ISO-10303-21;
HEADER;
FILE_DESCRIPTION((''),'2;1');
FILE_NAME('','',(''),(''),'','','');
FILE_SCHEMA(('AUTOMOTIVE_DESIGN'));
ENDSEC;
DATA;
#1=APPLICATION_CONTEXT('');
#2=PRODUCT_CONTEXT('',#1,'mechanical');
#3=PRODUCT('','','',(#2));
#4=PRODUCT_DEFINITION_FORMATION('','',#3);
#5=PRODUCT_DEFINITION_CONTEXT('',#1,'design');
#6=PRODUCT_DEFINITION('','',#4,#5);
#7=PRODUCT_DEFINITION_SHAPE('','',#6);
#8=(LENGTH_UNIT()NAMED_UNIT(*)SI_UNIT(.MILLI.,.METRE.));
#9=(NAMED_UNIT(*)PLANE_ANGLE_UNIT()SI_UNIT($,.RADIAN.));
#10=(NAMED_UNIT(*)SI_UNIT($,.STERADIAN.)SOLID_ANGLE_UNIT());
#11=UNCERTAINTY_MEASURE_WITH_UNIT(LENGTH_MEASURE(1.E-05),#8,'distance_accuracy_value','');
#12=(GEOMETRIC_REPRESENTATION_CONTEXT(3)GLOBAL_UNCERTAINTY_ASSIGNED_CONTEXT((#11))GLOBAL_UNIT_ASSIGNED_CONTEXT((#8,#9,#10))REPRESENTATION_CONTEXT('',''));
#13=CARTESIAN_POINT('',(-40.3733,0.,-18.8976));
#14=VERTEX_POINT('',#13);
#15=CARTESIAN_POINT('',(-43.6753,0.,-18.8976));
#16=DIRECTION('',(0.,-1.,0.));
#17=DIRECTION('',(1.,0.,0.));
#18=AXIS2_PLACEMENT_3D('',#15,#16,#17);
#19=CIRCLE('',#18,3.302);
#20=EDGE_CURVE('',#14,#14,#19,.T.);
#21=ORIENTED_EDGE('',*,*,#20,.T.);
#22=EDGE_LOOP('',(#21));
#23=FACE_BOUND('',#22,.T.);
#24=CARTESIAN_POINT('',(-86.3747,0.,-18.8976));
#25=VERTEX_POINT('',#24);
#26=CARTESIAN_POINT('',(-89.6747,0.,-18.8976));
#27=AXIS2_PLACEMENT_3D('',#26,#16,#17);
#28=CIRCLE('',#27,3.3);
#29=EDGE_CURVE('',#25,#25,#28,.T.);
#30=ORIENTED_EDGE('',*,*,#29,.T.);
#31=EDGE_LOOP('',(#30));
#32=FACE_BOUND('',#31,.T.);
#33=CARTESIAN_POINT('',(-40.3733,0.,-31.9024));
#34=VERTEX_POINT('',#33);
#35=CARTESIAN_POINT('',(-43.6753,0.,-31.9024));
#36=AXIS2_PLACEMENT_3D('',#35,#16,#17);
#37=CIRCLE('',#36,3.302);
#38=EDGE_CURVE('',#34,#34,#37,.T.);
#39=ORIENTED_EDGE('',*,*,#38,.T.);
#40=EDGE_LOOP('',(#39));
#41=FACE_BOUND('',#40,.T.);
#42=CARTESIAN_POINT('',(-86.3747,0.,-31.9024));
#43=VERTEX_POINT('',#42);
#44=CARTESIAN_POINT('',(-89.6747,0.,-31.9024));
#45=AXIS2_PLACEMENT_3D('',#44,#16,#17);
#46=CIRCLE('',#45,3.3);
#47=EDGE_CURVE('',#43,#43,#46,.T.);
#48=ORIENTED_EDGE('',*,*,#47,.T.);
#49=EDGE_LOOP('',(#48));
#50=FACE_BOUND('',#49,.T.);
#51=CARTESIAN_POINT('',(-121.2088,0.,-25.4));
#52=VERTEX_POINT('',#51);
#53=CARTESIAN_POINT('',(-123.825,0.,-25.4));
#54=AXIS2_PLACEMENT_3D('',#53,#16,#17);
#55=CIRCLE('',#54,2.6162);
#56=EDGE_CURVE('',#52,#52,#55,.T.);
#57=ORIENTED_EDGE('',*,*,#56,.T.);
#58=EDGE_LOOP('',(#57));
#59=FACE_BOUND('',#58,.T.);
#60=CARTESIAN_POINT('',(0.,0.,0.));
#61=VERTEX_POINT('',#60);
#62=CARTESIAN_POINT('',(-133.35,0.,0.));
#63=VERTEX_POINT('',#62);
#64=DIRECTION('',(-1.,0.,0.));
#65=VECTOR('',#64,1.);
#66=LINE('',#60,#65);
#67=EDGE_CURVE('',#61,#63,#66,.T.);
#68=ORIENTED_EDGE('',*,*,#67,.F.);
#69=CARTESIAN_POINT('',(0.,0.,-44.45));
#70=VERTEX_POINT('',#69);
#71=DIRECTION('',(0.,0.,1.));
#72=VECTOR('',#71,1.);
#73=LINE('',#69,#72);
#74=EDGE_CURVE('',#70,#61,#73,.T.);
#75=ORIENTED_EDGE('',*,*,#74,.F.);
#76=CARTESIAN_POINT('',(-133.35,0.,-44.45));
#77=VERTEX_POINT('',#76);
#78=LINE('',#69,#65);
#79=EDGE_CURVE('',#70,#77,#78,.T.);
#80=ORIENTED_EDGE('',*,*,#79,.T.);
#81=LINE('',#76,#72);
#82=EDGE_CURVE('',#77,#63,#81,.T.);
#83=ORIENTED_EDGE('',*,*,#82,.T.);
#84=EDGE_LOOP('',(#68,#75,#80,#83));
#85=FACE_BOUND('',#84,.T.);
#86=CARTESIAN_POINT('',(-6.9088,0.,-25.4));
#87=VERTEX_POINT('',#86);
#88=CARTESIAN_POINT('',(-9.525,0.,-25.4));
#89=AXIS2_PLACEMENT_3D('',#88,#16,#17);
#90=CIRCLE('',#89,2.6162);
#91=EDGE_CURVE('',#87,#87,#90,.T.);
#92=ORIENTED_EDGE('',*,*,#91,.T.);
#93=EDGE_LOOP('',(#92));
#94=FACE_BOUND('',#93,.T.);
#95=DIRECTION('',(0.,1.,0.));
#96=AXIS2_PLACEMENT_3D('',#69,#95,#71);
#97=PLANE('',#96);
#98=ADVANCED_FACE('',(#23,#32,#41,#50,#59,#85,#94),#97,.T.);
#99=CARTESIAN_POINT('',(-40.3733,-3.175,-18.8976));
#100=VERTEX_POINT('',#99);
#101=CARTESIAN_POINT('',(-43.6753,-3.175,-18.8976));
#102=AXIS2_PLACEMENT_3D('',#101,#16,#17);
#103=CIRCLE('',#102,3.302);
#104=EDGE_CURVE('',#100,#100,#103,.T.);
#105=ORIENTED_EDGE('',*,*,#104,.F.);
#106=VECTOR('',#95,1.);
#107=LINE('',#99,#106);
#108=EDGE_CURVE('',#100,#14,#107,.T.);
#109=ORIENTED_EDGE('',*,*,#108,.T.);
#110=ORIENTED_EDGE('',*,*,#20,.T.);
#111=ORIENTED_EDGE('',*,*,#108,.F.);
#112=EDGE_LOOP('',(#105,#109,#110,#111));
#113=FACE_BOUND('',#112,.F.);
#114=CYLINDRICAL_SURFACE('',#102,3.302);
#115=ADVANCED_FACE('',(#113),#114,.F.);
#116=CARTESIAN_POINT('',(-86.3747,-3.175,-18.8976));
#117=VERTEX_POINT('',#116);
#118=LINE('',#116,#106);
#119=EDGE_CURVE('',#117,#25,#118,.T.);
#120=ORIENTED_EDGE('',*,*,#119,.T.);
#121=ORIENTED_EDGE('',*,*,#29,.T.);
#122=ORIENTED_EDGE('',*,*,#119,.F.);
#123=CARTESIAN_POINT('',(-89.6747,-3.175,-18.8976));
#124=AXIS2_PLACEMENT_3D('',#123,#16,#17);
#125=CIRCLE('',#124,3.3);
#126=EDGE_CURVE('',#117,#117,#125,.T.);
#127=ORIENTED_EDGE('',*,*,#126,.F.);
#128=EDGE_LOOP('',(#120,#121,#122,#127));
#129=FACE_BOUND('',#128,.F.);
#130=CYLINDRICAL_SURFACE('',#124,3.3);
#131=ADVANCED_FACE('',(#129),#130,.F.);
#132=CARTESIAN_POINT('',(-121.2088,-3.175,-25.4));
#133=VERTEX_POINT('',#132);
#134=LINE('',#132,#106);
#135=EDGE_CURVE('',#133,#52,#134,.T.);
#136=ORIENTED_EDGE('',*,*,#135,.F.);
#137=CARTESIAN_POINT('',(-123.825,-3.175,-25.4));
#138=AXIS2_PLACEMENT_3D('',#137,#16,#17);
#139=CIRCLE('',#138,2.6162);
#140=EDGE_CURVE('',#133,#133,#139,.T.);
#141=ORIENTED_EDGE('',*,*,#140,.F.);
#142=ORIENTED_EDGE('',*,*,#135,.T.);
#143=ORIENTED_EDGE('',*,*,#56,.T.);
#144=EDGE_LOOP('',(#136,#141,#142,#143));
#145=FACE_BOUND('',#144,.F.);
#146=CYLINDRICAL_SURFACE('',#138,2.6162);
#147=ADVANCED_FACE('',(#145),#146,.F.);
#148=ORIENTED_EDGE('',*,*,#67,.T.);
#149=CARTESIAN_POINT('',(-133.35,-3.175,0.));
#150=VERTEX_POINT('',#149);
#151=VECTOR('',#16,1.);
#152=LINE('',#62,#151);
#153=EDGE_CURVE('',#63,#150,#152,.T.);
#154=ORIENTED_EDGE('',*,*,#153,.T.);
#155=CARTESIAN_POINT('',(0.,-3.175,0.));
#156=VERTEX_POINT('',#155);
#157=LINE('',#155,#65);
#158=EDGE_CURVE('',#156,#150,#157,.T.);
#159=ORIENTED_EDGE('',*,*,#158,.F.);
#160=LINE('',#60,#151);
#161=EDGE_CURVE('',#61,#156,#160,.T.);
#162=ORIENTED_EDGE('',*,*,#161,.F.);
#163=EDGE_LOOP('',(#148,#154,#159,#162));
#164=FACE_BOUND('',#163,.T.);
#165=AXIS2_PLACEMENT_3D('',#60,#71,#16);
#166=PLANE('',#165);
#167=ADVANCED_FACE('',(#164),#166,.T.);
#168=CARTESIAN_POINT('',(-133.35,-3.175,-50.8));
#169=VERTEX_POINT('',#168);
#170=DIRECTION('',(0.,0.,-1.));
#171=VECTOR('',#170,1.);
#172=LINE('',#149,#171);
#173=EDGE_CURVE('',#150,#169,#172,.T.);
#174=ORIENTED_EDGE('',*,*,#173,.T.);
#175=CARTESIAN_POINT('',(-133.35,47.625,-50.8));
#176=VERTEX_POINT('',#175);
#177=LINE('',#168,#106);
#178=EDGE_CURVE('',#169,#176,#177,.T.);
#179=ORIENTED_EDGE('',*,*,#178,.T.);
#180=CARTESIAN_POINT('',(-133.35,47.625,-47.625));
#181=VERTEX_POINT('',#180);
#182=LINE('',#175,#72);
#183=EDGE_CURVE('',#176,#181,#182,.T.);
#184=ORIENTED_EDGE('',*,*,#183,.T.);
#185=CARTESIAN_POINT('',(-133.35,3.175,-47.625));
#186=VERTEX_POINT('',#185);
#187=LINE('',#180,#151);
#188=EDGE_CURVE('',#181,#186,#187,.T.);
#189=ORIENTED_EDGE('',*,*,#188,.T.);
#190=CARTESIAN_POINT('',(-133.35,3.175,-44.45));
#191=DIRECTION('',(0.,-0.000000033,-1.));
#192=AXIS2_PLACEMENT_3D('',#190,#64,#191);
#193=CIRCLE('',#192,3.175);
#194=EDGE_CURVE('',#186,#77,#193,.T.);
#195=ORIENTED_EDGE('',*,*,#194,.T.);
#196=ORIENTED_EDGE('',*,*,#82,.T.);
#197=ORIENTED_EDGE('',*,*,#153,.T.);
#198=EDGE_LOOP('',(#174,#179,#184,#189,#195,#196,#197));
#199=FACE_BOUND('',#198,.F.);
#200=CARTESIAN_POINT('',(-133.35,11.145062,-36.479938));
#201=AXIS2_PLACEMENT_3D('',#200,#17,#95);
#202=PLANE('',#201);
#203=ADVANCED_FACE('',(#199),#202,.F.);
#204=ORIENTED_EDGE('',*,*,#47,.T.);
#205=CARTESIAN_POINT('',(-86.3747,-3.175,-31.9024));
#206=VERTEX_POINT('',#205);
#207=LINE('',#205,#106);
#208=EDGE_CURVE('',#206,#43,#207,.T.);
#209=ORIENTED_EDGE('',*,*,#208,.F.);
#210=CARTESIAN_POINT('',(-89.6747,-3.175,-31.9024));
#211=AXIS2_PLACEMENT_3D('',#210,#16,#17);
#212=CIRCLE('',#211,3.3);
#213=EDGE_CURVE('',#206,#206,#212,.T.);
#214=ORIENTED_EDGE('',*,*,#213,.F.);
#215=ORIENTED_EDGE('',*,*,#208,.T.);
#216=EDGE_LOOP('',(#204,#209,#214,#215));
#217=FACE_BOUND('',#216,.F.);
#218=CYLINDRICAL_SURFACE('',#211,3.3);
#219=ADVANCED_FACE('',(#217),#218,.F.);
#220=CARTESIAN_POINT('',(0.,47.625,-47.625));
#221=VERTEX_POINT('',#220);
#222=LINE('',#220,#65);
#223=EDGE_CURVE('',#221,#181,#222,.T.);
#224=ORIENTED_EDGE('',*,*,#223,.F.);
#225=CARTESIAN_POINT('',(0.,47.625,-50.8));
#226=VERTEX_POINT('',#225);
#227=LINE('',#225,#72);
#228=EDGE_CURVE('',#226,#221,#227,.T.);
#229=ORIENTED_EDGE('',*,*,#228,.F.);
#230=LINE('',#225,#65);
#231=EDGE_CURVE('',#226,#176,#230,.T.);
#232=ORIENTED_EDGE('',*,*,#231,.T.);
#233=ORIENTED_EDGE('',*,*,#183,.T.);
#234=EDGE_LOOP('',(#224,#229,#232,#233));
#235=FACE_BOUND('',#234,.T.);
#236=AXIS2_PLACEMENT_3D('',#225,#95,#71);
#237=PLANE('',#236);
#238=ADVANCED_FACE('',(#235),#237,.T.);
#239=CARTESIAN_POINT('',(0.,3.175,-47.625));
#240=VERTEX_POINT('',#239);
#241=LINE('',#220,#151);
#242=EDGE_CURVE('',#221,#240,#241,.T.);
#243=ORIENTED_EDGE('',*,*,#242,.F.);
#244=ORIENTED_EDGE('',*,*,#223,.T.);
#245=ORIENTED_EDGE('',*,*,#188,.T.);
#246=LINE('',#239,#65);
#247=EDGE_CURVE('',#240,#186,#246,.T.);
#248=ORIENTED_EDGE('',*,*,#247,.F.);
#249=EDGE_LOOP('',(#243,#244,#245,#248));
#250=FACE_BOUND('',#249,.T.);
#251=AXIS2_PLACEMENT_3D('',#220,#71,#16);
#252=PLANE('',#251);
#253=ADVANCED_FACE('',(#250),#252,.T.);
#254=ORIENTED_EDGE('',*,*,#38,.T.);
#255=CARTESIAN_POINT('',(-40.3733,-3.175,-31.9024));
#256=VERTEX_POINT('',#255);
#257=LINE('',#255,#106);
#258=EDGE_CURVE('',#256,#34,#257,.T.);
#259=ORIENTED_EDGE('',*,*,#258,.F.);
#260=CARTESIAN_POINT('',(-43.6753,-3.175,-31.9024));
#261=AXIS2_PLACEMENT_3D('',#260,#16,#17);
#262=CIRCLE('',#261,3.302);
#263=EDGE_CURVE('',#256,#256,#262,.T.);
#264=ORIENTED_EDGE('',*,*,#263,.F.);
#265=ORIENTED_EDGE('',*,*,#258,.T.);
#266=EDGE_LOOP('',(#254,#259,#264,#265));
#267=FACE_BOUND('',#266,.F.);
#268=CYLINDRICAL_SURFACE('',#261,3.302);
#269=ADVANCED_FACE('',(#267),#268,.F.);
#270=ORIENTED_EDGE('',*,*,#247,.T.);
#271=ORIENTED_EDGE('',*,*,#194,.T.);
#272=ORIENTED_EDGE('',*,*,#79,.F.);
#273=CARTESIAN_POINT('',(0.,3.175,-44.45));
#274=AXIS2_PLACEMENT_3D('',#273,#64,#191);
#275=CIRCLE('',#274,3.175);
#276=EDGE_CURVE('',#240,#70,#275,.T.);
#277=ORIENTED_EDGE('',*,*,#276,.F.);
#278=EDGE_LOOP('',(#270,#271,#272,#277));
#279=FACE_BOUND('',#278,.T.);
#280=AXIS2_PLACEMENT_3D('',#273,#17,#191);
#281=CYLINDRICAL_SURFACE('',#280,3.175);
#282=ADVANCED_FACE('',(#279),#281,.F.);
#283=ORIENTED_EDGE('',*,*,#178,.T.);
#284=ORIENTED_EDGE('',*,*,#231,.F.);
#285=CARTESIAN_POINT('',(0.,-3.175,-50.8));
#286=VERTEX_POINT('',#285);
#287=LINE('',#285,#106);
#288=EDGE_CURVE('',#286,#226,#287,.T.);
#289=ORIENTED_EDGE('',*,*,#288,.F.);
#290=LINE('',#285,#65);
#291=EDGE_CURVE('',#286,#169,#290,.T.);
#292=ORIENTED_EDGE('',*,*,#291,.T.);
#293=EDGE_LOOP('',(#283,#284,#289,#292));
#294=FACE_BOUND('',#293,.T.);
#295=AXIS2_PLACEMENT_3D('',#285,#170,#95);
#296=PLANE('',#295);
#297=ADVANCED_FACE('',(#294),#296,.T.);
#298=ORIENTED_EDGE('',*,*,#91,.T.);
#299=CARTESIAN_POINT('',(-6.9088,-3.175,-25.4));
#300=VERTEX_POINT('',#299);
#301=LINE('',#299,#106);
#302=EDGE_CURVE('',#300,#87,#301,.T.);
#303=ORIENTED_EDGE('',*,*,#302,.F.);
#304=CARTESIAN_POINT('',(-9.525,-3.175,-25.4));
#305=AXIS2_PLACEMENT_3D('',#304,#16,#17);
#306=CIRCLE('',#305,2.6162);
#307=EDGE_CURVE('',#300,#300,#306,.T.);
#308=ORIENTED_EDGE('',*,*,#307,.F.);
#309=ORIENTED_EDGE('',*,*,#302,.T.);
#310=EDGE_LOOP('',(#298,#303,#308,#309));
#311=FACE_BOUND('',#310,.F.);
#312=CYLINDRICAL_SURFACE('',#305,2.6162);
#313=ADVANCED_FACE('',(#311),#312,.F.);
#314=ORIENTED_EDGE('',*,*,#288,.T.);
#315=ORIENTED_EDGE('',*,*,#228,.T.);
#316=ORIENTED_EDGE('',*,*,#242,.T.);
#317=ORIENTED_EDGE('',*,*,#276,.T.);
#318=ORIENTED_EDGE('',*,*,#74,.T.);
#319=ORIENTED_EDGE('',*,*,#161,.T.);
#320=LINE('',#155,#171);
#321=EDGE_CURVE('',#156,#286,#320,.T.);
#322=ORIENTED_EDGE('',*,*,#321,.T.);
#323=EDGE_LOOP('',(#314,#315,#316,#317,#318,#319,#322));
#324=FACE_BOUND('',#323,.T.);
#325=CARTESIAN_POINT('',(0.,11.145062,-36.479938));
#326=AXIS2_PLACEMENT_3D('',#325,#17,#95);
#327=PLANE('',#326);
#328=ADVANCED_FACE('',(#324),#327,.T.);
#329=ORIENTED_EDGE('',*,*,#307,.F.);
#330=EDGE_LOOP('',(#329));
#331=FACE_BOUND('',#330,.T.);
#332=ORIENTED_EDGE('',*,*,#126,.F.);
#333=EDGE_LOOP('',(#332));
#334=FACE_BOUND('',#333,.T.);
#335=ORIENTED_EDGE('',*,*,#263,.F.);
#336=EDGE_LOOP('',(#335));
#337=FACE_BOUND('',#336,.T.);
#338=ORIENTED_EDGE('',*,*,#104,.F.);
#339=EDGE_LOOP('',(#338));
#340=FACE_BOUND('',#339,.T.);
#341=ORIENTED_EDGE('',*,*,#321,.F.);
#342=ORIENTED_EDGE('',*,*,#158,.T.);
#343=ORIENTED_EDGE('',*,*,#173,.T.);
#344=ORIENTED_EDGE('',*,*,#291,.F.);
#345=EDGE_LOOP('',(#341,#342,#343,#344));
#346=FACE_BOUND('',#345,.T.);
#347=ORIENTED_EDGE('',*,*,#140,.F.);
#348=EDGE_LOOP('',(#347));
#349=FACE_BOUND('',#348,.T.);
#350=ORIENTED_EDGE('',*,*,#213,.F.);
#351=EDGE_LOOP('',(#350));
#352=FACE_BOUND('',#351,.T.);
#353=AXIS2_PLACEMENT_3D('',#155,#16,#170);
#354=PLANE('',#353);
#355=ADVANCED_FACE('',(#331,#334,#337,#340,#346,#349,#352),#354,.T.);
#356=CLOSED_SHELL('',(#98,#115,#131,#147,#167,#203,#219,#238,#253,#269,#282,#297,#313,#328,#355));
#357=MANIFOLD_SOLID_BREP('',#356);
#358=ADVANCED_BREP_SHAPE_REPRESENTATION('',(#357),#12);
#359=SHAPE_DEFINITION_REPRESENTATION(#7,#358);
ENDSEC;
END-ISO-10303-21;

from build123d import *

# Parameters (mm, degrees)
F1_DEPTH = 133.35
F2_R     = 2.6162
F2_R_2   = 3.3
F2_R_3   = 3.302
F3_DEPTH = 50.801


with BuildPart() as f1:
    # F0 (on Right) → F1 (new body)
    with BuildSketch(Plane.YZ):
        with BuildLine():
            Line((0, -44.45), (0, 0))
            Line((0, 0), (-3.175, 0))
            Line((-3.175, 0), (-3.175, -50.8))
            Line((-3.175, -50.8), (47.625, -50.8))
            Line((47.625, -50.8), (47.625, -47.625))
            Line((47.625, -47.625), (3.175, -47.625))
            ThreePointArc((3.175, -47.625), (0.929936, -46.695064), (0, -44.45))
        make_face()
    extrude(amount=-F1_DEPTH)

    # F2 (on face) → F3 (cut, through all)
    with BuildSketch(Plane.XZ.offset(3.175)):
        with Locations((-123.825, -25.4)):
            Circle(F2_R)
        with Locations((-9.525, -25.4)):
            Circle(F2_R)
        with Locations((-89.6747, -18.8976)):
            Circle(F2_R_2)
        with Locations((-89.6747, -31.9024)):
            Circle(F2_R_2)
        with Locations((-43.6753, -18.8976)):
            Circle(F2_R_3)
        with Locations((-43.6753, -31.9024)):
            Circle(F2_R_3)
    extrude(amount=-F3_DEPTH, mode=Mode.SUBTRACT)


solid = f1.part
